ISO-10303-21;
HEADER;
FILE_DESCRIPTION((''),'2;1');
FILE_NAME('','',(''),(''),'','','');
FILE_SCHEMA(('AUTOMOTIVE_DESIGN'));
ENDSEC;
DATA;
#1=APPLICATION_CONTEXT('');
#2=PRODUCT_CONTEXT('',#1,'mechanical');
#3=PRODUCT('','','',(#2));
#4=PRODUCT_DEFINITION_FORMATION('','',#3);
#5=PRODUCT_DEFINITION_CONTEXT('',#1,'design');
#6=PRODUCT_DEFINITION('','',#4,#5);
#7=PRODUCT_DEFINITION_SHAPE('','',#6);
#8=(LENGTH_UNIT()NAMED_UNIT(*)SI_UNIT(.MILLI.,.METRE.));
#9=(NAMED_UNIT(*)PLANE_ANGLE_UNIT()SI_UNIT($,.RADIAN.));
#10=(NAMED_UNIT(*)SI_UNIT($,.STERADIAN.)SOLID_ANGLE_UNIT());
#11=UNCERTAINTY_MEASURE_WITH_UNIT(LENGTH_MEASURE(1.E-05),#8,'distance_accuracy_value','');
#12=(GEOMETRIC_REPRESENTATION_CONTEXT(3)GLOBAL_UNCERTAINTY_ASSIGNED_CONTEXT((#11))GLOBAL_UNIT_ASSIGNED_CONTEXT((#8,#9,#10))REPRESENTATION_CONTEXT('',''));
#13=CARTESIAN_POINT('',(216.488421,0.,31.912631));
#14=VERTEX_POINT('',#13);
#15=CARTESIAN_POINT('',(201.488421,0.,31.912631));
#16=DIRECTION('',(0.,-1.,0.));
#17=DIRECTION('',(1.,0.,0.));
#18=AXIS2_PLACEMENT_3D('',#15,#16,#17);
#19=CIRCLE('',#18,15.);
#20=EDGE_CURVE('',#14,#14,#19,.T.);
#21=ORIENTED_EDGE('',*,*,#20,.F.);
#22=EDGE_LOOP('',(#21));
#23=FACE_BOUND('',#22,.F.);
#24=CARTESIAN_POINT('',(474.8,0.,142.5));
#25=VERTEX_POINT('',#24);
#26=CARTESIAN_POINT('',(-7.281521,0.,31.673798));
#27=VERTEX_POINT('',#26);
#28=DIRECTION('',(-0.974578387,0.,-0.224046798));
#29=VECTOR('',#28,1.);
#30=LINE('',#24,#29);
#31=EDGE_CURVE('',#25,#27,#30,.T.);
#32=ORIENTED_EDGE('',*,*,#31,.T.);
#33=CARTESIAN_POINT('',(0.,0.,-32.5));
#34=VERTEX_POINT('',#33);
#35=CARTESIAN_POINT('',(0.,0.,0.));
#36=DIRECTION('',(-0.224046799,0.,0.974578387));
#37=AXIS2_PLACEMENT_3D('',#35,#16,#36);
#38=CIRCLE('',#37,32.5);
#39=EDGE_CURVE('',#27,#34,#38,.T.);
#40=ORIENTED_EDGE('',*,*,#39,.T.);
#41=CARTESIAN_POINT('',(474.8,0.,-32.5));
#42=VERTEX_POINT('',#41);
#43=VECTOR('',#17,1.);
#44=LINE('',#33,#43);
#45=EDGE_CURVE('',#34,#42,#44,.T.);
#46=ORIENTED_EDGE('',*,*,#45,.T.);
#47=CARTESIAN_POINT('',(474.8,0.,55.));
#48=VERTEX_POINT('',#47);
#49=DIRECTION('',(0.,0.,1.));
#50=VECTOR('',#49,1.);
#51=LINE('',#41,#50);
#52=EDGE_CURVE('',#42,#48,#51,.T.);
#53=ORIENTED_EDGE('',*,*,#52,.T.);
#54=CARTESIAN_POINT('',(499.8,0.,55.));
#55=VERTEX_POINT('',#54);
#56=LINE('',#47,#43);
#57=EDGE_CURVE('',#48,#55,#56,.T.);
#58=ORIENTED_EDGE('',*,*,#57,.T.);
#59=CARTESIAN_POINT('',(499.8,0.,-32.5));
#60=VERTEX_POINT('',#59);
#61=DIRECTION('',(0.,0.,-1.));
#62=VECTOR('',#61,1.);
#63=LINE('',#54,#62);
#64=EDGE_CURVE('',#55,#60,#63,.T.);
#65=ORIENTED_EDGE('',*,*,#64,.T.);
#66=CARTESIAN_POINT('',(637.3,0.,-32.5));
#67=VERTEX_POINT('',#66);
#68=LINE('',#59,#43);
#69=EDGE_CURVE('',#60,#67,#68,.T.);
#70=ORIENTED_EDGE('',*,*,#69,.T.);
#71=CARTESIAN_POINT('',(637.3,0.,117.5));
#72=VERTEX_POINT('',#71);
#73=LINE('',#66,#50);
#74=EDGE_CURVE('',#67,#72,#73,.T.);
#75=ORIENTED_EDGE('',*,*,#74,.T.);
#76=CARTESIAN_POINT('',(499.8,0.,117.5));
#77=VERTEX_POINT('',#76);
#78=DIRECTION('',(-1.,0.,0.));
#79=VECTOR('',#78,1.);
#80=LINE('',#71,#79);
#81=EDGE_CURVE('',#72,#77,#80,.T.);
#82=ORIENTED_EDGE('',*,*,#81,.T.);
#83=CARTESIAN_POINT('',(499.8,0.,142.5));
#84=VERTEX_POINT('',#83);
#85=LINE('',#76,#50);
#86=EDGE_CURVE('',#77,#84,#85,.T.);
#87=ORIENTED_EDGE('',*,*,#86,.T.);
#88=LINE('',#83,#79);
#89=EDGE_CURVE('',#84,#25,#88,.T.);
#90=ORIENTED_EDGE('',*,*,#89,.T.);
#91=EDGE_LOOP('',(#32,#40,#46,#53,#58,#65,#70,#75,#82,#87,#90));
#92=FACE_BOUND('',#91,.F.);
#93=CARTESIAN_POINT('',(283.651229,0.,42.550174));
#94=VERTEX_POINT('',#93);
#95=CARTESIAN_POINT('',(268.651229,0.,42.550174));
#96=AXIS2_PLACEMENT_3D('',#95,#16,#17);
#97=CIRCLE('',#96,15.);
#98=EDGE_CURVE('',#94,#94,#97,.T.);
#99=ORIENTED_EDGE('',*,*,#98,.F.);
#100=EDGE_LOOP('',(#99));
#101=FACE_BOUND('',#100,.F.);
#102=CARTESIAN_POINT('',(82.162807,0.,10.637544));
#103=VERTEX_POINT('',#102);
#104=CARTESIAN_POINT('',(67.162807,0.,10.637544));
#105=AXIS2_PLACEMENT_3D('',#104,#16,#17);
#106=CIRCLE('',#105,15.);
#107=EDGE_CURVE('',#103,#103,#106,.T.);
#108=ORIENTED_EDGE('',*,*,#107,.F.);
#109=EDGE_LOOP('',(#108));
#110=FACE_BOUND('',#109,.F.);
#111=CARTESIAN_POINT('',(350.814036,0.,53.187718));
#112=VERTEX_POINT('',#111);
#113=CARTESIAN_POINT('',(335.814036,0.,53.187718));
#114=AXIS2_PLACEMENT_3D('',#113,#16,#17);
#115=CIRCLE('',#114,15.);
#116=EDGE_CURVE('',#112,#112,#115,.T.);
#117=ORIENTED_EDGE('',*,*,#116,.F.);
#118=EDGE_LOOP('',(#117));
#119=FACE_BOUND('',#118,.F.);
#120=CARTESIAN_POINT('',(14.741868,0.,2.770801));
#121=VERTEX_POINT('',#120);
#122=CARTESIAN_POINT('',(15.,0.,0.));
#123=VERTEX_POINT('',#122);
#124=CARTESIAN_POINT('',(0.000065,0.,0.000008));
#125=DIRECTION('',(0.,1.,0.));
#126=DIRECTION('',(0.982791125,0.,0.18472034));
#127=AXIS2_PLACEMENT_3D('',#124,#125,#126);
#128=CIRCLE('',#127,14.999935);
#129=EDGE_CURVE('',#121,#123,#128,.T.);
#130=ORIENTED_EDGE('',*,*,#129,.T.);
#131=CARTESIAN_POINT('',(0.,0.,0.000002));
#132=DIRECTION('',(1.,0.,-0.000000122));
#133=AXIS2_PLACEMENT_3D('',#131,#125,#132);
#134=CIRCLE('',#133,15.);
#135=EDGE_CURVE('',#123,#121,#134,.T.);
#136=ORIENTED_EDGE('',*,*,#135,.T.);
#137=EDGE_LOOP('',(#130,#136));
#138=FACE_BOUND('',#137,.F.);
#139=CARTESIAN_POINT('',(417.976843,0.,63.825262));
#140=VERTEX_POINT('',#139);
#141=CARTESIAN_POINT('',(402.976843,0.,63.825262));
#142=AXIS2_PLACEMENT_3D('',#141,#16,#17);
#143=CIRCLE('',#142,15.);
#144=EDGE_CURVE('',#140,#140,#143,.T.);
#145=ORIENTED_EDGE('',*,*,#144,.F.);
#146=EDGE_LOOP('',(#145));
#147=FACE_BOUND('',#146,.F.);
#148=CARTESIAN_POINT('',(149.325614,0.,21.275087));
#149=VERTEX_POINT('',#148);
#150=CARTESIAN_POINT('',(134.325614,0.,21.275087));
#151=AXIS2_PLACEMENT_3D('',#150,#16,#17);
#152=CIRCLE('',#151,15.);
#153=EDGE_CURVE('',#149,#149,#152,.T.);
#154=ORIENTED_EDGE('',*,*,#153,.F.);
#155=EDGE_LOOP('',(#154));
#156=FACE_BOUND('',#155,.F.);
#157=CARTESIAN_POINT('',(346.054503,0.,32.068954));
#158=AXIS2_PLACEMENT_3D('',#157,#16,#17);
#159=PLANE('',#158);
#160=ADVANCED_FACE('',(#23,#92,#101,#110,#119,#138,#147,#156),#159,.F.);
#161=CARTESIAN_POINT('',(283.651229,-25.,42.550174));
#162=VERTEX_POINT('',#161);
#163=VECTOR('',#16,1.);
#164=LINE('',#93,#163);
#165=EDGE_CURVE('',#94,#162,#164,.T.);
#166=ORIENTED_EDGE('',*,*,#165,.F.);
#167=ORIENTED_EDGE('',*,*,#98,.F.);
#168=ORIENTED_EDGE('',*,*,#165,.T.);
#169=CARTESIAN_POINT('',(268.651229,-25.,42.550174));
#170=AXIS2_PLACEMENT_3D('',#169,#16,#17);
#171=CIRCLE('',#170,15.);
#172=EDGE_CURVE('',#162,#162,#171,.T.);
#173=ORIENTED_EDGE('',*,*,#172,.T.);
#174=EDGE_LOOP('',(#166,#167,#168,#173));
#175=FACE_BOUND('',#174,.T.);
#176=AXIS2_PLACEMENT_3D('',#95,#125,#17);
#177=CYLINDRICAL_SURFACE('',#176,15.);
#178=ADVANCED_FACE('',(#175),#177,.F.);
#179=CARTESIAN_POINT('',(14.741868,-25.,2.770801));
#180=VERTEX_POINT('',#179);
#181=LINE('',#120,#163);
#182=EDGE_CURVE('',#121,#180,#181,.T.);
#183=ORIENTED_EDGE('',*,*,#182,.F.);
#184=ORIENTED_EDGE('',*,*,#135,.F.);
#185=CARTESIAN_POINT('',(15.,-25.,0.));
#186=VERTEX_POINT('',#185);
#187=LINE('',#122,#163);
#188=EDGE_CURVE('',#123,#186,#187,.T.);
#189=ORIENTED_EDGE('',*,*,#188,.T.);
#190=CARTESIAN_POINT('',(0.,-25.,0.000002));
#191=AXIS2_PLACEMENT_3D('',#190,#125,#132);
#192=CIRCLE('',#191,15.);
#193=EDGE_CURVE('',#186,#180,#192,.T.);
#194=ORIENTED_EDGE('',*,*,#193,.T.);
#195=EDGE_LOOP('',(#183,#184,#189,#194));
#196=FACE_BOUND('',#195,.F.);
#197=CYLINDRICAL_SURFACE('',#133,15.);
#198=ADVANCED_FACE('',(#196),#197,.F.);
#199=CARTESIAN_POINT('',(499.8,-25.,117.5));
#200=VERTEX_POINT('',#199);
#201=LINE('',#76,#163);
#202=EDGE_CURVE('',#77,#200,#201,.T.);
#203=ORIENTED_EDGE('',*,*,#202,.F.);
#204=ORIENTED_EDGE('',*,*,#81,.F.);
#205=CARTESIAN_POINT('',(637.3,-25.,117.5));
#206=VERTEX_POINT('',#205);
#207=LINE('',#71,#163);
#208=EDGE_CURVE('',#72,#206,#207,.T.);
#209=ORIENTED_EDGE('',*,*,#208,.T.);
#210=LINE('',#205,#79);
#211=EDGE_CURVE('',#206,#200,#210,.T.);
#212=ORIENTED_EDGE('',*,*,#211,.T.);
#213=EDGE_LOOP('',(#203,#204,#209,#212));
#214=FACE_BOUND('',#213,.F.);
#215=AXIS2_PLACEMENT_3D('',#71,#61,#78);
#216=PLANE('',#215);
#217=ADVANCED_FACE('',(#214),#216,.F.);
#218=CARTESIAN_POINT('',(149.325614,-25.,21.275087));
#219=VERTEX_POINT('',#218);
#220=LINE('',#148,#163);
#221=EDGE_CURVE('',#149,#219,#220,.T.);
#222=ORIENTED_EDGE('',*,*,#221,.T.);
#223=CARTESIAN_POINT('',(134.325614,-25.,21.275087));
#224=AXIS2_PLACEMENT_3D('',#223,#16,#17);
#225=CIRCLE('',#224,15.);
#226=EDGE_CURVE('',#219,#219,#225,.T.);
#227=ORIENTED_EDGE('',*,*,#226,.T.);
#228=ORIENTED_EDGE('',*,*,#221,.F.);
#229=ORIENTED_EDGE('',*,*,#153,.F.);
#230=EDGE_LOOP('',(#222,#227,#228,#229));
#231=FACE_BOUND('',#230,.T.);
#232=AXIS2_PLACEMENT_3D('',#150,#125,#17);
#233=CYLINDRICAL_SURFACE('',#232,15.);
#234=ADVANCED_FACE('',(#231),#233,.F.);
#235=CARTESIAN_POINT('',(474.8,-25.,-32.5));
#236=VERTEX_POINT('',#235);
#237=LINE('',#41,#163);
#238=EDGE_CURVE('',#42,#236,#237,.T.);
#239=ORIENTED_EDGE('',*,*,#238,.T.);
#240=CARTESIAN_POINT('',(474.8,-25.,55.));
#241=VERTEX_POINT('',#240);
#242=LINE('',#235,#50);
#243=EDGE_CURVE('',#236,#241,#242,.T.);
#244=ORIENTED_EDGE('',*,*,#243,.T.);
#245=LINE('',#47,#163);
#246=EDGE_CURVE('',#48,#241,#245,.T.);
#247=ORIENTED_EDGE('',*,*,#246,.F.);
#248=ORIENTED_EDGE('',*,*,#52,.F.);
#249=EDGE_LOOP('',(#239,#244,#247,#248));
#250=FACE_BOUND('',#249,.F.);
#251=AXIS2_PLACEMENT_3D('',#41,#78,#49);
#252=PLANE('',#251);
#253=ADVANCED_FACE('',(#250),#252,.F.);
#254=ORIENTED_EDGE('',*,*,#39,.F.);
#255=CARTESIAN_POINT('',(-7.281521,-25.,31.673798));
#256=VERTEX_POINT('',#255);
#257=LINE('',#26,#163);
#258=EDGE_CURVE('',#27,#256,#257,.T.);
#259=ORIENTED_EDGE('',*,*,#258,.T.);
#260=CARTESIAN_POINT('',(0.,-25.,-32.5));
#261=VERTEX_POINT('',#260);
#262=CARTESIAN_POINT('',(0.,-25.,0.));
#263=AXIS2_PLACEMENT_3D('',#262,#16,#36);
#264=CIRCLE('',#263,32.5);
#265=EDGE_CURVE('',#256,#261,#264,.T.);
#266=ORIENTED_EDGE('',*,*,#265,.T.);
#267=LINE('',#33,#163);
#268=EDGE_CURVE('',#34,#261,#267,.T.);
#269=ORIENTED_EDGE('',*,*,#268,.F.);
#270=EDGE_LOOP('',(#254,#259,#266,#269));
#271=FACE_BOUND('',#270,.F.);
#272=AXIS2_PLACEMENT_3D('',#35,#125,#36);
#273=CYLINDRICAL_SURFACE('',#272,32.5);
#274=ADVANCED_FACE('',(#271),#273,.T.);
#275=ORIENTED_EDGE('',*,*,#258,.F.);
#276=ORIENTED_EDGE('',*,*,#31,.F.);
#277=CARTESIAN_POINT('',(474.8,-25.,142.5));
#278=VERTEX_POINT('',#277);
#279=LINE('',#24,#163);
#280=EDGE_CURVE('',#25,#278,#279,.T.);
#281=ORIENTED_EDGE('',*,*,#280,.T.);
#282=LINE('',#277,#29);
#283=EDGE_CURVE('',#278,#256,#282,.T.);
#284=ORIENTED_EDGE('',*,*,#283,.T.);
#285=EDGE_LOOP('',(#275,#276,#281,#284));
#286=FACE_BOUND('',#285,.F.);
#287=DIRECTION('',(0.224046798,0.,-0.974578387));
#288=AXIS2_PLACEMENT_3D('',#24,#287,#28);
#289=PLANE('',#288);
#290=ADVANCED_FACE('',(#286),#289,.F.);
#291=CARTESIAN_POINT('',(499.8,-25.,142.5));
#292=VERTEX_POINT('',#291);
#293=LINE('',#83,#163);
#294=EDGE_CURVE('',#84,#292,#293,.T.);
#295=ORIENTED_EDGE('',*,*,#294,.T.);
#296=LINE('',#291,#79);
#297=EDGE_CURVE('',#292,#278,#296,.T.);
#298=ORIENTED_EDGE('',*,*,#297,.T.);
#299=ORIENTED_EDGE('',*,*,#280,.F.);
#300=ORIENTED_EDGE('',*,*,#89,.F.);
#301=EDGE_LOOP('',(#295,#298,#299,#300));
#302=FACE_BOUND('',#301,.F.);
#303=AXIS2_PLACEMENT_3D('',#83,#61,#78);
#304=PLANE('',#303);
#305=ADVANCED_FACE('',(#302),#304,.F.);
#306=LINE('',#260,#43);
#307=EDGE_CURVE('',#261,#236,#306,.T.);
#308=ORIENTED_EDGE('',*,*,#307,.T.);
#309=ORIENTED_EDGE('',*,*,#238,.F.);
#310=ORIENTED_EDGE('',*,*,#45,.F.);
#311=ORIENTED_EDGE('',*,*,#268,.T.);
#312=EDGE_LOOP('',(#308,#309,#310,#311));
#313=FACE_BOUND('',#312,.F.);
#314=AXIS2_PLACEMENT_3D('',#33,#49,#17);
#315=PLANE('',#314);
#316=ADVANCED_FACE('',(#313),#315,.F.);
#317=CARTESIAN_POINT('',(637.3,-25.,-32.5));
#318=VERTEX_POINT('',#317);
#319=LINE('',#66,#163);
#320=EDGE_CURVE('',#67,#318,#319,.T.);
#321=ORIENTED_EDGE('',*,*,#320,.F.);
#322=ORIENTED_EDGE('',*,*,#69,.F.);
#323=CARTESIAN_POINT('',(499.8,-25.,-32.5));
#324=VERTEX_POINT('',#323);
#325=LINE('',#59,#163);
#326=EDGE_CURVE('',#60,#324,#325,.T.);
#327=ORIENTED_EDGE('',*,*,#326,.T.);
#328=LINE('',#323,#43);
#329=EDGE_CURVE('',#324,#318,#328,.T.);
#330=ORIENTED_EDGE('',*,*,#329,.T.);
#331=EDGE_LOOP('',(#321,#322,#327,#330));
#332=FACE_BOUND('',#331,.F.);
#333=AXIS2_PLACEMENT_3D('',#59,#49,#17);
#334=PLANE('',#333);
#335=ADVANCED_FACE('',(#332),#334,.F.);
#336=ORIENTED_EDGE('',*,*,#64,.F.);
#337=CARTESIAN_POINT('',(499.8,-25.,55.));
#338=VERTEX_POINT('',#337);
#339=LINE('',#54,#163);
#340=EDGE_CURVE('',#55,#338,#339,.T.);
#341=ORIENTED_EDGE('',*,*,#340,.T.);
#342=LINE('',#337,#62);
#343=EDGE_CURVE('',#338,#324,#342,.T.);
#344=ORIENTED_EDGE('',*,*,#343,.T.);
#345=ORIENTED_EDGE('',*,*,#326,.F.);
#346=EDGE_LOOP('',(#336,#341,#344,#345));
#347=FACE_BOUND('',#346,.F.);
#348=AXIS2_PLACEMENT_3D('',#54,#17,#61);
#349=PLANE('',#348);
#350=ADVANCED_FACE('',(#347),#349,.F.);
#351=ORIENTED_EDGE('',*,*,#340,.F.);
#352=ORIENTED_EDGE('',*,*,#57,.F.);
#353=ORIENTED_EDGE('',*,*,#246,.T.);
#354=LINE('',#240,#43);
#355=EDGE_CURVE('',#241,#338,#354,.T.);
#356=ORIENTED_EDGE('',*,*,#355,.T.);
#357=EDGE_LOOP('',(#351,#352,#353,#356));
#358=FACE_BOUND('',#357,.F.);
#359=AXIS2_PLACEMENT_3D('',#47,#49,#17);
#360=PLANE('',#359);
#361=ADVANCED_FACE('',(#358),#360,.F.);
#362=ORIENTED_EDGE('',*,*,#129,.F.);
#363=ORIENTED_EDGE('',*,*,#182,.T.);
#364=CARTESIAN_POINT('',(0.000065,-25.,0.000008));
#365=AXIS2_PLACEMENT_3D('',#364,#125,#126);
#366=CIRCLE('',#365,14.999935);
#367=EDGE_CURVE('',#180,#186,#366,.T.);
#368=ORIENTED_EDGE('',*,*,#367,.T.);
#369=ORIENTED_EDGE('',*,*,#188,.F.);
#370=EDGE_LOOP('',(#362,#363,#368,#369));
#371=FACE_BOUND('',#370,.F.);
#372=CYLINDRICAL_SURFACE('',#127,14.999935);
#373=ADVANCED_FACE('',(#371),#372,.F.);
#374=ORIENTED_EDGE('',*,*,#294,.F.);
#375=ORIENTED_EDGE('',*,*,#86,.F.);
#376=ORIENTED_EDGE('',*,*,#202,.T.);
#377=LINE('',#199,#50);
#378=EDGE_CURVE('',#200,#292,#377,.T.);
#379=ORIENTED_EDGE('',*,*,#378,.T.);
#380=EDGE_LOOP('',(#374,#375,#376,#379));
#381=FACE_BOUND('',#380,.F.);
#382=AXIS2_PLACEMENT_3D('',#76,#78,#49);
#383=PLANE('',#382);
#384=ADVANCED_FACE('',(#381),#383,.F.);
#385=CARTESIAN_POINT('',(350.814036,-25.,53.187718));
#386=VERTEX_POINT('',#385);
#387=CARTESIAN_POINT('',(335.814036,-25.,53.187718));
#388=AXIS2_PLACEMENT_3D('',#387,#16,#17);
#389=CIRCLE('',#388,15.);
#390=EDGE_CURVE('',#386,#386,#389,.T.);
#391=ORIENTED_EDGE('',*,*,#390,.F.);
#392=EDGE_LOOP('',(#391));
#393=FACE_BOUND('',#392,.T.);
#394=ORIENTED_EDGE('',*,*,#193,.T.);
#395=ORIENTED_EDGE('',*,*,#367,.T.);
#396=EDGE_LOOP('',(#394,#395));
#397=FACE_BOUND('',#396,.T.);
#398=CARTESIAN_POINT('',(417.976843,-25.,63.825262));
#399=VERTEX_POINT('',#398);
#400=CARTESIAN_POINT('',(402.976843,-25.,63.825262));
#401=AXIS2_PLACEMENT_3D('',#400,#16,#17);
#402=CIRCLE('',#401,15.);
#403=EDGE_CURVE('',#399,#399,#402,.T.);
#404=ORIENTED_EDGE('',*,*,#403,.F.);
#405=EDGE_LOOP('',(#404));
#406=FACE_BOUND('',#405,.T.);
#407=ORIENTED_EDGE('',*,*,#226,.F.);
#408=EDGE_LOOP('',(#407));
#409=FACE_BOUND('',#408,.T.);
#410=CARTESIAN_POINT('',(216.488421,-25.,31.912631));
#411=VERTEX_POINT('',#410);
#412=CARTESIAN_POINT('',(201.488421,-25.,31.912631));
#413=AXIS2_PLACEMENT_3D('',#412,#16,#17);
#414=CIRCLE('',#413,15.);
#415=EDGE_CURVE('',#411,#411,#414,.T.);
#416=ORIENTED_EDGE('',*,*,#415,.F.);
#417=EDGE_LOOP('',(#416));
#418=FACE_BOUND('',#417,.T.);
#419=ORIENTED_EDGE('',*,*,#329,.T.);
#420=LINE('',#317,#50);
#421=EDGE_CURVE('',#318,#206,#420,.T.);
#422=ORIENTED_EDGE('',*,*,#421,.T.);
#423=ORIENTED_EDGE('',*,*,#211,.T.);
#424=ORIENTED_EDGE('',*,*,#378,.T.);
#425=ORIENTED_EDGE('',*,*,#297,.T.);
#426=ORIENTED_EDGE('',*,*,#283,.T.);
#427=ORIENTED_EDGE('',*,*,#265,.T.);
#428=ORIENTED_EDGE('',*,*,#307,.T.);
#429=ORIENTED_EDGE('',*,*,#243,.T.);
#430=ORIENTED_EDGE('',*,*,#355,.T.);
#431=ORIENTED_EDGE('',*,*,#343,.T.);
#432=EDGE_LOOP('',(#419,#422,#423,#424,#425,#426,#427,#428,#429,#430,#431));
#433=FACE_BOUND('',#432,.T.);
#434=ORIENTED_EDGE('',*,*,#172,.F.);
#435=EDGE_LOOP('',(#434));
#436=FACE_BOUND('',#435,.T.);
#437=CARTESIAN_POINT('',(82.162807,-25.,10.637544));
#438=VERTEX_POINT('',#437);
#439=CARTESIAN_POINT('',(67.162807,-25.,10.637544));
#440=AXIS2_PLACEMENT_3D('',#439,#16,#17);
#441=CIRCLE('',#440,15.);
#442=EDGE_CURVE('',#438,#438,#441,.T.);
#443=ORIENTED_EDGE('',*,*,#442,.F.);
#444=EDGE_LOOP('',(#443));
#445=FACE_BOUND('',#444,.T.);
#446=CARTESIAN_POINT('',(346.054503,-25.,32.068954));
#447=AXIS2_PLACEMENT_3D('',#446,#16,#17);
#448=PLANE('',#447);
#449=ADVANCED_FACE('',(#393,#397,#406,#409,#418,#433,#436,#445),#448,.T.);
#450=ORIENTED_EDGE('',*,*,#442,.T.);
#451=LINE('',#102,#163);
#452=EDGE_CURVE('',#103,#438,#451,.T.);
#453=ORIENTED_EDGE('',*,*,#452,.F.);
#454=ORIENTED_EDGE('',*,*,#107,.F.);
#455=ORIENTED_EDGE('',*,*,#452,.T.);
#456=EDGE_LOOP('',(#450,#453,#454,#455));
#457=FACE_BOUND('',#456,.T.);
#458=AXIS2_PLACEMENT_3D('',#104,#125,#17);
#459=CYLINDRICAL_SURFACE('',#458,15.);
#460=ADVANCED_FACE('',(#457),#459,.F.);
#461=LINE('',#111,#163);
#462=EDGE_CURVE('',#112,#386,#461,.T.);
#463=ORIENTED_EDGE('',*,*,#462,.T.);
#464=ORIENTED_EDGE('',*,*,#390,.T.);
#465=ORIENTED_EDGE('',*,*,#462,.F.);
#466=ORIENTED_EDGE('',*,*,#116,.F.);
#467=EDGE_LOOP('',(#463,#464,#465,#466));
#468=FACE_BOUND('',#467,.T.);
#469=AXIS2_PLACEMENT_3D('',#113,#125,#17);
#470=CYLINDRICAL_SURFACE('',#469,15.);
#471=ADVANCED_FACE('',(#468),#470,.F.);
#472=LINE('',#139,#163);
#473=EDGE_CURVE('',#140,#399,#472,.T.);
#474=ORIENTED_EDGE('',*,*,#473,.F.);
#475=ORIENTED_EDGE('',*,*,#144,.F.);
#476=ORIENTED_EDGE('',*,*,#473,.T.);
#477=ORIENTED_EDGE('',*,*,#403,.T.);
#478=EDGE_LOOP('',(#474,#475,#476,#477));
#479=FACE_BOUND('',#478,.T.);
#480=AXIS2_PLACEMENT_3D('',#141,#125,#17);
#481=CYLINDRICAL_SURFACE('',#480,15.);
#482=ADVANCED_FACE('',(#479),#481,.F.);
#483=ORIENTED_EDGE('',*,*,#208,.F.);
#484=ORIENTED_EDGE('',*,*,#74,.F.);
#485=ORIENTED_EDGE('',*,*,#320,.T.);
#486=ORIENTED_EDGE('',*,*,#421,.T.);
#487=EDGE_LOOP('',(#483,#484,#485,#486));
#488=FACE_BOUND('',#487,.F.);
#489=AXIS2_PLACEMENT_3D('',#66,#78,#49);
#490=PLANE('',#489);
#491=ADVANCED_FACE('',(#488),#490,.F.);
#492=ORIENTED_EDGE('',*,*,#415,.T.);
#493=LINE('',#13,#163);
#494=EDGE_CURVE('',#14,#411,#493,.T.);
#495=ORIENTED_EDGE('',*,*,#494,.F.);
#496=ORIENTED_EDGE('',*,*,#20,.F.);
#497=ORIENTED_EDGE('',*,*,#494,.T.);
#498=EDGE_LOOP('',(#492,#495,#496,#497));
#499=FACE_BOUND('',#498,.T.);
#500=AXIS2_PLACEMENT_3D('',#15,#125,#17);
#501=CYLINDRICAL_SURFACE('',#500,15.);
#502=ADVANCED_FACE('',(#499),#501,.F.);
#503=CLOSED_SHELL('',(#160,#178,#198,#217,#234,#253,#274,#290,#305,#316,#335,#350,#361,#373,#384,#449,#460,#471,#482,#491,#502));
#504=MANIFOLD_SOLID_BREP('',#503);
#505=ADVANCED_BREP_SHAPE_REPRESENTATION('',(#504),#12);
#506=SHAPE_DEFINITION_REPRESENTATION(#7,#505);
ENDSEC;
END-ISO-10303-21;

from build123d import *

# Parameters (mm, degrees)
F0_R     = 15
F1_DEPTH = 25


with BuildPart() as f1:
    # F0 (on Front) → F1 (new body)
    with BuildSketch(Plane.XZ):
        with BuildLine():
            Line((474.8, 142.5), (-7.281521, 31.673798))
            ThreePointArc((-7.281521, 31.673798), (-32.292789, -3.664122), (0, -32.5))
            Line((0, -32.5), (474.8, -32.5))
            Line((474.8, -32.5), (474.8, 55))
            Line((474.8, 55), (499.8, 55))
            Line((499.8, 55), (499.8, -32.5))
            Line((499.8, -32.5), (637.3, -32.5))
            Line((637.3, -32.5), (637.3, 117.5))
            Line((637.3, 117.5), (499.8, 117.5))
            Line((499.8, 117.5), (499.8, 142.5))
            Line((499.8, 142.5), (474.8, 142.5))
        make_face()
        with BuildLine():
            ThreePointArc((14.741868, 2.770801), (14.935328, 1.391399), (15, 0))
            ThreePointArc((15, 0), (-14.935328, -1.391399), (14.741868, 2.770801))
        make_face(mode=Mode.SUBTRACT)
        with Locations((67.162807, 10.637544)):
            Circle(F0_R, mode=Mode.SUBTRACT)
        with Locations((134.325614, 21.275087)):
            Circle(F0_R, mode=Mode.SUBTRACT)
        with Locations((201.488421, 31.912631)):
            Circle(F0_R, mode=Mode.SUBTRACT)
        with Locations((268.651229, 42.550174)):
            Circle(F0_R, mode=Mode.SUBTRACT)
        with Locations((335.814036, 53.187718)):
            Circle(F0_R, mode=Mode.SUBTRACT)
        with Locations((402.976843, 63.825262)):
            Circle(F0_R, mode=Mode.SUBTRACT)
    extrude(amount=F1_DEPTH)


solid = f1.part
